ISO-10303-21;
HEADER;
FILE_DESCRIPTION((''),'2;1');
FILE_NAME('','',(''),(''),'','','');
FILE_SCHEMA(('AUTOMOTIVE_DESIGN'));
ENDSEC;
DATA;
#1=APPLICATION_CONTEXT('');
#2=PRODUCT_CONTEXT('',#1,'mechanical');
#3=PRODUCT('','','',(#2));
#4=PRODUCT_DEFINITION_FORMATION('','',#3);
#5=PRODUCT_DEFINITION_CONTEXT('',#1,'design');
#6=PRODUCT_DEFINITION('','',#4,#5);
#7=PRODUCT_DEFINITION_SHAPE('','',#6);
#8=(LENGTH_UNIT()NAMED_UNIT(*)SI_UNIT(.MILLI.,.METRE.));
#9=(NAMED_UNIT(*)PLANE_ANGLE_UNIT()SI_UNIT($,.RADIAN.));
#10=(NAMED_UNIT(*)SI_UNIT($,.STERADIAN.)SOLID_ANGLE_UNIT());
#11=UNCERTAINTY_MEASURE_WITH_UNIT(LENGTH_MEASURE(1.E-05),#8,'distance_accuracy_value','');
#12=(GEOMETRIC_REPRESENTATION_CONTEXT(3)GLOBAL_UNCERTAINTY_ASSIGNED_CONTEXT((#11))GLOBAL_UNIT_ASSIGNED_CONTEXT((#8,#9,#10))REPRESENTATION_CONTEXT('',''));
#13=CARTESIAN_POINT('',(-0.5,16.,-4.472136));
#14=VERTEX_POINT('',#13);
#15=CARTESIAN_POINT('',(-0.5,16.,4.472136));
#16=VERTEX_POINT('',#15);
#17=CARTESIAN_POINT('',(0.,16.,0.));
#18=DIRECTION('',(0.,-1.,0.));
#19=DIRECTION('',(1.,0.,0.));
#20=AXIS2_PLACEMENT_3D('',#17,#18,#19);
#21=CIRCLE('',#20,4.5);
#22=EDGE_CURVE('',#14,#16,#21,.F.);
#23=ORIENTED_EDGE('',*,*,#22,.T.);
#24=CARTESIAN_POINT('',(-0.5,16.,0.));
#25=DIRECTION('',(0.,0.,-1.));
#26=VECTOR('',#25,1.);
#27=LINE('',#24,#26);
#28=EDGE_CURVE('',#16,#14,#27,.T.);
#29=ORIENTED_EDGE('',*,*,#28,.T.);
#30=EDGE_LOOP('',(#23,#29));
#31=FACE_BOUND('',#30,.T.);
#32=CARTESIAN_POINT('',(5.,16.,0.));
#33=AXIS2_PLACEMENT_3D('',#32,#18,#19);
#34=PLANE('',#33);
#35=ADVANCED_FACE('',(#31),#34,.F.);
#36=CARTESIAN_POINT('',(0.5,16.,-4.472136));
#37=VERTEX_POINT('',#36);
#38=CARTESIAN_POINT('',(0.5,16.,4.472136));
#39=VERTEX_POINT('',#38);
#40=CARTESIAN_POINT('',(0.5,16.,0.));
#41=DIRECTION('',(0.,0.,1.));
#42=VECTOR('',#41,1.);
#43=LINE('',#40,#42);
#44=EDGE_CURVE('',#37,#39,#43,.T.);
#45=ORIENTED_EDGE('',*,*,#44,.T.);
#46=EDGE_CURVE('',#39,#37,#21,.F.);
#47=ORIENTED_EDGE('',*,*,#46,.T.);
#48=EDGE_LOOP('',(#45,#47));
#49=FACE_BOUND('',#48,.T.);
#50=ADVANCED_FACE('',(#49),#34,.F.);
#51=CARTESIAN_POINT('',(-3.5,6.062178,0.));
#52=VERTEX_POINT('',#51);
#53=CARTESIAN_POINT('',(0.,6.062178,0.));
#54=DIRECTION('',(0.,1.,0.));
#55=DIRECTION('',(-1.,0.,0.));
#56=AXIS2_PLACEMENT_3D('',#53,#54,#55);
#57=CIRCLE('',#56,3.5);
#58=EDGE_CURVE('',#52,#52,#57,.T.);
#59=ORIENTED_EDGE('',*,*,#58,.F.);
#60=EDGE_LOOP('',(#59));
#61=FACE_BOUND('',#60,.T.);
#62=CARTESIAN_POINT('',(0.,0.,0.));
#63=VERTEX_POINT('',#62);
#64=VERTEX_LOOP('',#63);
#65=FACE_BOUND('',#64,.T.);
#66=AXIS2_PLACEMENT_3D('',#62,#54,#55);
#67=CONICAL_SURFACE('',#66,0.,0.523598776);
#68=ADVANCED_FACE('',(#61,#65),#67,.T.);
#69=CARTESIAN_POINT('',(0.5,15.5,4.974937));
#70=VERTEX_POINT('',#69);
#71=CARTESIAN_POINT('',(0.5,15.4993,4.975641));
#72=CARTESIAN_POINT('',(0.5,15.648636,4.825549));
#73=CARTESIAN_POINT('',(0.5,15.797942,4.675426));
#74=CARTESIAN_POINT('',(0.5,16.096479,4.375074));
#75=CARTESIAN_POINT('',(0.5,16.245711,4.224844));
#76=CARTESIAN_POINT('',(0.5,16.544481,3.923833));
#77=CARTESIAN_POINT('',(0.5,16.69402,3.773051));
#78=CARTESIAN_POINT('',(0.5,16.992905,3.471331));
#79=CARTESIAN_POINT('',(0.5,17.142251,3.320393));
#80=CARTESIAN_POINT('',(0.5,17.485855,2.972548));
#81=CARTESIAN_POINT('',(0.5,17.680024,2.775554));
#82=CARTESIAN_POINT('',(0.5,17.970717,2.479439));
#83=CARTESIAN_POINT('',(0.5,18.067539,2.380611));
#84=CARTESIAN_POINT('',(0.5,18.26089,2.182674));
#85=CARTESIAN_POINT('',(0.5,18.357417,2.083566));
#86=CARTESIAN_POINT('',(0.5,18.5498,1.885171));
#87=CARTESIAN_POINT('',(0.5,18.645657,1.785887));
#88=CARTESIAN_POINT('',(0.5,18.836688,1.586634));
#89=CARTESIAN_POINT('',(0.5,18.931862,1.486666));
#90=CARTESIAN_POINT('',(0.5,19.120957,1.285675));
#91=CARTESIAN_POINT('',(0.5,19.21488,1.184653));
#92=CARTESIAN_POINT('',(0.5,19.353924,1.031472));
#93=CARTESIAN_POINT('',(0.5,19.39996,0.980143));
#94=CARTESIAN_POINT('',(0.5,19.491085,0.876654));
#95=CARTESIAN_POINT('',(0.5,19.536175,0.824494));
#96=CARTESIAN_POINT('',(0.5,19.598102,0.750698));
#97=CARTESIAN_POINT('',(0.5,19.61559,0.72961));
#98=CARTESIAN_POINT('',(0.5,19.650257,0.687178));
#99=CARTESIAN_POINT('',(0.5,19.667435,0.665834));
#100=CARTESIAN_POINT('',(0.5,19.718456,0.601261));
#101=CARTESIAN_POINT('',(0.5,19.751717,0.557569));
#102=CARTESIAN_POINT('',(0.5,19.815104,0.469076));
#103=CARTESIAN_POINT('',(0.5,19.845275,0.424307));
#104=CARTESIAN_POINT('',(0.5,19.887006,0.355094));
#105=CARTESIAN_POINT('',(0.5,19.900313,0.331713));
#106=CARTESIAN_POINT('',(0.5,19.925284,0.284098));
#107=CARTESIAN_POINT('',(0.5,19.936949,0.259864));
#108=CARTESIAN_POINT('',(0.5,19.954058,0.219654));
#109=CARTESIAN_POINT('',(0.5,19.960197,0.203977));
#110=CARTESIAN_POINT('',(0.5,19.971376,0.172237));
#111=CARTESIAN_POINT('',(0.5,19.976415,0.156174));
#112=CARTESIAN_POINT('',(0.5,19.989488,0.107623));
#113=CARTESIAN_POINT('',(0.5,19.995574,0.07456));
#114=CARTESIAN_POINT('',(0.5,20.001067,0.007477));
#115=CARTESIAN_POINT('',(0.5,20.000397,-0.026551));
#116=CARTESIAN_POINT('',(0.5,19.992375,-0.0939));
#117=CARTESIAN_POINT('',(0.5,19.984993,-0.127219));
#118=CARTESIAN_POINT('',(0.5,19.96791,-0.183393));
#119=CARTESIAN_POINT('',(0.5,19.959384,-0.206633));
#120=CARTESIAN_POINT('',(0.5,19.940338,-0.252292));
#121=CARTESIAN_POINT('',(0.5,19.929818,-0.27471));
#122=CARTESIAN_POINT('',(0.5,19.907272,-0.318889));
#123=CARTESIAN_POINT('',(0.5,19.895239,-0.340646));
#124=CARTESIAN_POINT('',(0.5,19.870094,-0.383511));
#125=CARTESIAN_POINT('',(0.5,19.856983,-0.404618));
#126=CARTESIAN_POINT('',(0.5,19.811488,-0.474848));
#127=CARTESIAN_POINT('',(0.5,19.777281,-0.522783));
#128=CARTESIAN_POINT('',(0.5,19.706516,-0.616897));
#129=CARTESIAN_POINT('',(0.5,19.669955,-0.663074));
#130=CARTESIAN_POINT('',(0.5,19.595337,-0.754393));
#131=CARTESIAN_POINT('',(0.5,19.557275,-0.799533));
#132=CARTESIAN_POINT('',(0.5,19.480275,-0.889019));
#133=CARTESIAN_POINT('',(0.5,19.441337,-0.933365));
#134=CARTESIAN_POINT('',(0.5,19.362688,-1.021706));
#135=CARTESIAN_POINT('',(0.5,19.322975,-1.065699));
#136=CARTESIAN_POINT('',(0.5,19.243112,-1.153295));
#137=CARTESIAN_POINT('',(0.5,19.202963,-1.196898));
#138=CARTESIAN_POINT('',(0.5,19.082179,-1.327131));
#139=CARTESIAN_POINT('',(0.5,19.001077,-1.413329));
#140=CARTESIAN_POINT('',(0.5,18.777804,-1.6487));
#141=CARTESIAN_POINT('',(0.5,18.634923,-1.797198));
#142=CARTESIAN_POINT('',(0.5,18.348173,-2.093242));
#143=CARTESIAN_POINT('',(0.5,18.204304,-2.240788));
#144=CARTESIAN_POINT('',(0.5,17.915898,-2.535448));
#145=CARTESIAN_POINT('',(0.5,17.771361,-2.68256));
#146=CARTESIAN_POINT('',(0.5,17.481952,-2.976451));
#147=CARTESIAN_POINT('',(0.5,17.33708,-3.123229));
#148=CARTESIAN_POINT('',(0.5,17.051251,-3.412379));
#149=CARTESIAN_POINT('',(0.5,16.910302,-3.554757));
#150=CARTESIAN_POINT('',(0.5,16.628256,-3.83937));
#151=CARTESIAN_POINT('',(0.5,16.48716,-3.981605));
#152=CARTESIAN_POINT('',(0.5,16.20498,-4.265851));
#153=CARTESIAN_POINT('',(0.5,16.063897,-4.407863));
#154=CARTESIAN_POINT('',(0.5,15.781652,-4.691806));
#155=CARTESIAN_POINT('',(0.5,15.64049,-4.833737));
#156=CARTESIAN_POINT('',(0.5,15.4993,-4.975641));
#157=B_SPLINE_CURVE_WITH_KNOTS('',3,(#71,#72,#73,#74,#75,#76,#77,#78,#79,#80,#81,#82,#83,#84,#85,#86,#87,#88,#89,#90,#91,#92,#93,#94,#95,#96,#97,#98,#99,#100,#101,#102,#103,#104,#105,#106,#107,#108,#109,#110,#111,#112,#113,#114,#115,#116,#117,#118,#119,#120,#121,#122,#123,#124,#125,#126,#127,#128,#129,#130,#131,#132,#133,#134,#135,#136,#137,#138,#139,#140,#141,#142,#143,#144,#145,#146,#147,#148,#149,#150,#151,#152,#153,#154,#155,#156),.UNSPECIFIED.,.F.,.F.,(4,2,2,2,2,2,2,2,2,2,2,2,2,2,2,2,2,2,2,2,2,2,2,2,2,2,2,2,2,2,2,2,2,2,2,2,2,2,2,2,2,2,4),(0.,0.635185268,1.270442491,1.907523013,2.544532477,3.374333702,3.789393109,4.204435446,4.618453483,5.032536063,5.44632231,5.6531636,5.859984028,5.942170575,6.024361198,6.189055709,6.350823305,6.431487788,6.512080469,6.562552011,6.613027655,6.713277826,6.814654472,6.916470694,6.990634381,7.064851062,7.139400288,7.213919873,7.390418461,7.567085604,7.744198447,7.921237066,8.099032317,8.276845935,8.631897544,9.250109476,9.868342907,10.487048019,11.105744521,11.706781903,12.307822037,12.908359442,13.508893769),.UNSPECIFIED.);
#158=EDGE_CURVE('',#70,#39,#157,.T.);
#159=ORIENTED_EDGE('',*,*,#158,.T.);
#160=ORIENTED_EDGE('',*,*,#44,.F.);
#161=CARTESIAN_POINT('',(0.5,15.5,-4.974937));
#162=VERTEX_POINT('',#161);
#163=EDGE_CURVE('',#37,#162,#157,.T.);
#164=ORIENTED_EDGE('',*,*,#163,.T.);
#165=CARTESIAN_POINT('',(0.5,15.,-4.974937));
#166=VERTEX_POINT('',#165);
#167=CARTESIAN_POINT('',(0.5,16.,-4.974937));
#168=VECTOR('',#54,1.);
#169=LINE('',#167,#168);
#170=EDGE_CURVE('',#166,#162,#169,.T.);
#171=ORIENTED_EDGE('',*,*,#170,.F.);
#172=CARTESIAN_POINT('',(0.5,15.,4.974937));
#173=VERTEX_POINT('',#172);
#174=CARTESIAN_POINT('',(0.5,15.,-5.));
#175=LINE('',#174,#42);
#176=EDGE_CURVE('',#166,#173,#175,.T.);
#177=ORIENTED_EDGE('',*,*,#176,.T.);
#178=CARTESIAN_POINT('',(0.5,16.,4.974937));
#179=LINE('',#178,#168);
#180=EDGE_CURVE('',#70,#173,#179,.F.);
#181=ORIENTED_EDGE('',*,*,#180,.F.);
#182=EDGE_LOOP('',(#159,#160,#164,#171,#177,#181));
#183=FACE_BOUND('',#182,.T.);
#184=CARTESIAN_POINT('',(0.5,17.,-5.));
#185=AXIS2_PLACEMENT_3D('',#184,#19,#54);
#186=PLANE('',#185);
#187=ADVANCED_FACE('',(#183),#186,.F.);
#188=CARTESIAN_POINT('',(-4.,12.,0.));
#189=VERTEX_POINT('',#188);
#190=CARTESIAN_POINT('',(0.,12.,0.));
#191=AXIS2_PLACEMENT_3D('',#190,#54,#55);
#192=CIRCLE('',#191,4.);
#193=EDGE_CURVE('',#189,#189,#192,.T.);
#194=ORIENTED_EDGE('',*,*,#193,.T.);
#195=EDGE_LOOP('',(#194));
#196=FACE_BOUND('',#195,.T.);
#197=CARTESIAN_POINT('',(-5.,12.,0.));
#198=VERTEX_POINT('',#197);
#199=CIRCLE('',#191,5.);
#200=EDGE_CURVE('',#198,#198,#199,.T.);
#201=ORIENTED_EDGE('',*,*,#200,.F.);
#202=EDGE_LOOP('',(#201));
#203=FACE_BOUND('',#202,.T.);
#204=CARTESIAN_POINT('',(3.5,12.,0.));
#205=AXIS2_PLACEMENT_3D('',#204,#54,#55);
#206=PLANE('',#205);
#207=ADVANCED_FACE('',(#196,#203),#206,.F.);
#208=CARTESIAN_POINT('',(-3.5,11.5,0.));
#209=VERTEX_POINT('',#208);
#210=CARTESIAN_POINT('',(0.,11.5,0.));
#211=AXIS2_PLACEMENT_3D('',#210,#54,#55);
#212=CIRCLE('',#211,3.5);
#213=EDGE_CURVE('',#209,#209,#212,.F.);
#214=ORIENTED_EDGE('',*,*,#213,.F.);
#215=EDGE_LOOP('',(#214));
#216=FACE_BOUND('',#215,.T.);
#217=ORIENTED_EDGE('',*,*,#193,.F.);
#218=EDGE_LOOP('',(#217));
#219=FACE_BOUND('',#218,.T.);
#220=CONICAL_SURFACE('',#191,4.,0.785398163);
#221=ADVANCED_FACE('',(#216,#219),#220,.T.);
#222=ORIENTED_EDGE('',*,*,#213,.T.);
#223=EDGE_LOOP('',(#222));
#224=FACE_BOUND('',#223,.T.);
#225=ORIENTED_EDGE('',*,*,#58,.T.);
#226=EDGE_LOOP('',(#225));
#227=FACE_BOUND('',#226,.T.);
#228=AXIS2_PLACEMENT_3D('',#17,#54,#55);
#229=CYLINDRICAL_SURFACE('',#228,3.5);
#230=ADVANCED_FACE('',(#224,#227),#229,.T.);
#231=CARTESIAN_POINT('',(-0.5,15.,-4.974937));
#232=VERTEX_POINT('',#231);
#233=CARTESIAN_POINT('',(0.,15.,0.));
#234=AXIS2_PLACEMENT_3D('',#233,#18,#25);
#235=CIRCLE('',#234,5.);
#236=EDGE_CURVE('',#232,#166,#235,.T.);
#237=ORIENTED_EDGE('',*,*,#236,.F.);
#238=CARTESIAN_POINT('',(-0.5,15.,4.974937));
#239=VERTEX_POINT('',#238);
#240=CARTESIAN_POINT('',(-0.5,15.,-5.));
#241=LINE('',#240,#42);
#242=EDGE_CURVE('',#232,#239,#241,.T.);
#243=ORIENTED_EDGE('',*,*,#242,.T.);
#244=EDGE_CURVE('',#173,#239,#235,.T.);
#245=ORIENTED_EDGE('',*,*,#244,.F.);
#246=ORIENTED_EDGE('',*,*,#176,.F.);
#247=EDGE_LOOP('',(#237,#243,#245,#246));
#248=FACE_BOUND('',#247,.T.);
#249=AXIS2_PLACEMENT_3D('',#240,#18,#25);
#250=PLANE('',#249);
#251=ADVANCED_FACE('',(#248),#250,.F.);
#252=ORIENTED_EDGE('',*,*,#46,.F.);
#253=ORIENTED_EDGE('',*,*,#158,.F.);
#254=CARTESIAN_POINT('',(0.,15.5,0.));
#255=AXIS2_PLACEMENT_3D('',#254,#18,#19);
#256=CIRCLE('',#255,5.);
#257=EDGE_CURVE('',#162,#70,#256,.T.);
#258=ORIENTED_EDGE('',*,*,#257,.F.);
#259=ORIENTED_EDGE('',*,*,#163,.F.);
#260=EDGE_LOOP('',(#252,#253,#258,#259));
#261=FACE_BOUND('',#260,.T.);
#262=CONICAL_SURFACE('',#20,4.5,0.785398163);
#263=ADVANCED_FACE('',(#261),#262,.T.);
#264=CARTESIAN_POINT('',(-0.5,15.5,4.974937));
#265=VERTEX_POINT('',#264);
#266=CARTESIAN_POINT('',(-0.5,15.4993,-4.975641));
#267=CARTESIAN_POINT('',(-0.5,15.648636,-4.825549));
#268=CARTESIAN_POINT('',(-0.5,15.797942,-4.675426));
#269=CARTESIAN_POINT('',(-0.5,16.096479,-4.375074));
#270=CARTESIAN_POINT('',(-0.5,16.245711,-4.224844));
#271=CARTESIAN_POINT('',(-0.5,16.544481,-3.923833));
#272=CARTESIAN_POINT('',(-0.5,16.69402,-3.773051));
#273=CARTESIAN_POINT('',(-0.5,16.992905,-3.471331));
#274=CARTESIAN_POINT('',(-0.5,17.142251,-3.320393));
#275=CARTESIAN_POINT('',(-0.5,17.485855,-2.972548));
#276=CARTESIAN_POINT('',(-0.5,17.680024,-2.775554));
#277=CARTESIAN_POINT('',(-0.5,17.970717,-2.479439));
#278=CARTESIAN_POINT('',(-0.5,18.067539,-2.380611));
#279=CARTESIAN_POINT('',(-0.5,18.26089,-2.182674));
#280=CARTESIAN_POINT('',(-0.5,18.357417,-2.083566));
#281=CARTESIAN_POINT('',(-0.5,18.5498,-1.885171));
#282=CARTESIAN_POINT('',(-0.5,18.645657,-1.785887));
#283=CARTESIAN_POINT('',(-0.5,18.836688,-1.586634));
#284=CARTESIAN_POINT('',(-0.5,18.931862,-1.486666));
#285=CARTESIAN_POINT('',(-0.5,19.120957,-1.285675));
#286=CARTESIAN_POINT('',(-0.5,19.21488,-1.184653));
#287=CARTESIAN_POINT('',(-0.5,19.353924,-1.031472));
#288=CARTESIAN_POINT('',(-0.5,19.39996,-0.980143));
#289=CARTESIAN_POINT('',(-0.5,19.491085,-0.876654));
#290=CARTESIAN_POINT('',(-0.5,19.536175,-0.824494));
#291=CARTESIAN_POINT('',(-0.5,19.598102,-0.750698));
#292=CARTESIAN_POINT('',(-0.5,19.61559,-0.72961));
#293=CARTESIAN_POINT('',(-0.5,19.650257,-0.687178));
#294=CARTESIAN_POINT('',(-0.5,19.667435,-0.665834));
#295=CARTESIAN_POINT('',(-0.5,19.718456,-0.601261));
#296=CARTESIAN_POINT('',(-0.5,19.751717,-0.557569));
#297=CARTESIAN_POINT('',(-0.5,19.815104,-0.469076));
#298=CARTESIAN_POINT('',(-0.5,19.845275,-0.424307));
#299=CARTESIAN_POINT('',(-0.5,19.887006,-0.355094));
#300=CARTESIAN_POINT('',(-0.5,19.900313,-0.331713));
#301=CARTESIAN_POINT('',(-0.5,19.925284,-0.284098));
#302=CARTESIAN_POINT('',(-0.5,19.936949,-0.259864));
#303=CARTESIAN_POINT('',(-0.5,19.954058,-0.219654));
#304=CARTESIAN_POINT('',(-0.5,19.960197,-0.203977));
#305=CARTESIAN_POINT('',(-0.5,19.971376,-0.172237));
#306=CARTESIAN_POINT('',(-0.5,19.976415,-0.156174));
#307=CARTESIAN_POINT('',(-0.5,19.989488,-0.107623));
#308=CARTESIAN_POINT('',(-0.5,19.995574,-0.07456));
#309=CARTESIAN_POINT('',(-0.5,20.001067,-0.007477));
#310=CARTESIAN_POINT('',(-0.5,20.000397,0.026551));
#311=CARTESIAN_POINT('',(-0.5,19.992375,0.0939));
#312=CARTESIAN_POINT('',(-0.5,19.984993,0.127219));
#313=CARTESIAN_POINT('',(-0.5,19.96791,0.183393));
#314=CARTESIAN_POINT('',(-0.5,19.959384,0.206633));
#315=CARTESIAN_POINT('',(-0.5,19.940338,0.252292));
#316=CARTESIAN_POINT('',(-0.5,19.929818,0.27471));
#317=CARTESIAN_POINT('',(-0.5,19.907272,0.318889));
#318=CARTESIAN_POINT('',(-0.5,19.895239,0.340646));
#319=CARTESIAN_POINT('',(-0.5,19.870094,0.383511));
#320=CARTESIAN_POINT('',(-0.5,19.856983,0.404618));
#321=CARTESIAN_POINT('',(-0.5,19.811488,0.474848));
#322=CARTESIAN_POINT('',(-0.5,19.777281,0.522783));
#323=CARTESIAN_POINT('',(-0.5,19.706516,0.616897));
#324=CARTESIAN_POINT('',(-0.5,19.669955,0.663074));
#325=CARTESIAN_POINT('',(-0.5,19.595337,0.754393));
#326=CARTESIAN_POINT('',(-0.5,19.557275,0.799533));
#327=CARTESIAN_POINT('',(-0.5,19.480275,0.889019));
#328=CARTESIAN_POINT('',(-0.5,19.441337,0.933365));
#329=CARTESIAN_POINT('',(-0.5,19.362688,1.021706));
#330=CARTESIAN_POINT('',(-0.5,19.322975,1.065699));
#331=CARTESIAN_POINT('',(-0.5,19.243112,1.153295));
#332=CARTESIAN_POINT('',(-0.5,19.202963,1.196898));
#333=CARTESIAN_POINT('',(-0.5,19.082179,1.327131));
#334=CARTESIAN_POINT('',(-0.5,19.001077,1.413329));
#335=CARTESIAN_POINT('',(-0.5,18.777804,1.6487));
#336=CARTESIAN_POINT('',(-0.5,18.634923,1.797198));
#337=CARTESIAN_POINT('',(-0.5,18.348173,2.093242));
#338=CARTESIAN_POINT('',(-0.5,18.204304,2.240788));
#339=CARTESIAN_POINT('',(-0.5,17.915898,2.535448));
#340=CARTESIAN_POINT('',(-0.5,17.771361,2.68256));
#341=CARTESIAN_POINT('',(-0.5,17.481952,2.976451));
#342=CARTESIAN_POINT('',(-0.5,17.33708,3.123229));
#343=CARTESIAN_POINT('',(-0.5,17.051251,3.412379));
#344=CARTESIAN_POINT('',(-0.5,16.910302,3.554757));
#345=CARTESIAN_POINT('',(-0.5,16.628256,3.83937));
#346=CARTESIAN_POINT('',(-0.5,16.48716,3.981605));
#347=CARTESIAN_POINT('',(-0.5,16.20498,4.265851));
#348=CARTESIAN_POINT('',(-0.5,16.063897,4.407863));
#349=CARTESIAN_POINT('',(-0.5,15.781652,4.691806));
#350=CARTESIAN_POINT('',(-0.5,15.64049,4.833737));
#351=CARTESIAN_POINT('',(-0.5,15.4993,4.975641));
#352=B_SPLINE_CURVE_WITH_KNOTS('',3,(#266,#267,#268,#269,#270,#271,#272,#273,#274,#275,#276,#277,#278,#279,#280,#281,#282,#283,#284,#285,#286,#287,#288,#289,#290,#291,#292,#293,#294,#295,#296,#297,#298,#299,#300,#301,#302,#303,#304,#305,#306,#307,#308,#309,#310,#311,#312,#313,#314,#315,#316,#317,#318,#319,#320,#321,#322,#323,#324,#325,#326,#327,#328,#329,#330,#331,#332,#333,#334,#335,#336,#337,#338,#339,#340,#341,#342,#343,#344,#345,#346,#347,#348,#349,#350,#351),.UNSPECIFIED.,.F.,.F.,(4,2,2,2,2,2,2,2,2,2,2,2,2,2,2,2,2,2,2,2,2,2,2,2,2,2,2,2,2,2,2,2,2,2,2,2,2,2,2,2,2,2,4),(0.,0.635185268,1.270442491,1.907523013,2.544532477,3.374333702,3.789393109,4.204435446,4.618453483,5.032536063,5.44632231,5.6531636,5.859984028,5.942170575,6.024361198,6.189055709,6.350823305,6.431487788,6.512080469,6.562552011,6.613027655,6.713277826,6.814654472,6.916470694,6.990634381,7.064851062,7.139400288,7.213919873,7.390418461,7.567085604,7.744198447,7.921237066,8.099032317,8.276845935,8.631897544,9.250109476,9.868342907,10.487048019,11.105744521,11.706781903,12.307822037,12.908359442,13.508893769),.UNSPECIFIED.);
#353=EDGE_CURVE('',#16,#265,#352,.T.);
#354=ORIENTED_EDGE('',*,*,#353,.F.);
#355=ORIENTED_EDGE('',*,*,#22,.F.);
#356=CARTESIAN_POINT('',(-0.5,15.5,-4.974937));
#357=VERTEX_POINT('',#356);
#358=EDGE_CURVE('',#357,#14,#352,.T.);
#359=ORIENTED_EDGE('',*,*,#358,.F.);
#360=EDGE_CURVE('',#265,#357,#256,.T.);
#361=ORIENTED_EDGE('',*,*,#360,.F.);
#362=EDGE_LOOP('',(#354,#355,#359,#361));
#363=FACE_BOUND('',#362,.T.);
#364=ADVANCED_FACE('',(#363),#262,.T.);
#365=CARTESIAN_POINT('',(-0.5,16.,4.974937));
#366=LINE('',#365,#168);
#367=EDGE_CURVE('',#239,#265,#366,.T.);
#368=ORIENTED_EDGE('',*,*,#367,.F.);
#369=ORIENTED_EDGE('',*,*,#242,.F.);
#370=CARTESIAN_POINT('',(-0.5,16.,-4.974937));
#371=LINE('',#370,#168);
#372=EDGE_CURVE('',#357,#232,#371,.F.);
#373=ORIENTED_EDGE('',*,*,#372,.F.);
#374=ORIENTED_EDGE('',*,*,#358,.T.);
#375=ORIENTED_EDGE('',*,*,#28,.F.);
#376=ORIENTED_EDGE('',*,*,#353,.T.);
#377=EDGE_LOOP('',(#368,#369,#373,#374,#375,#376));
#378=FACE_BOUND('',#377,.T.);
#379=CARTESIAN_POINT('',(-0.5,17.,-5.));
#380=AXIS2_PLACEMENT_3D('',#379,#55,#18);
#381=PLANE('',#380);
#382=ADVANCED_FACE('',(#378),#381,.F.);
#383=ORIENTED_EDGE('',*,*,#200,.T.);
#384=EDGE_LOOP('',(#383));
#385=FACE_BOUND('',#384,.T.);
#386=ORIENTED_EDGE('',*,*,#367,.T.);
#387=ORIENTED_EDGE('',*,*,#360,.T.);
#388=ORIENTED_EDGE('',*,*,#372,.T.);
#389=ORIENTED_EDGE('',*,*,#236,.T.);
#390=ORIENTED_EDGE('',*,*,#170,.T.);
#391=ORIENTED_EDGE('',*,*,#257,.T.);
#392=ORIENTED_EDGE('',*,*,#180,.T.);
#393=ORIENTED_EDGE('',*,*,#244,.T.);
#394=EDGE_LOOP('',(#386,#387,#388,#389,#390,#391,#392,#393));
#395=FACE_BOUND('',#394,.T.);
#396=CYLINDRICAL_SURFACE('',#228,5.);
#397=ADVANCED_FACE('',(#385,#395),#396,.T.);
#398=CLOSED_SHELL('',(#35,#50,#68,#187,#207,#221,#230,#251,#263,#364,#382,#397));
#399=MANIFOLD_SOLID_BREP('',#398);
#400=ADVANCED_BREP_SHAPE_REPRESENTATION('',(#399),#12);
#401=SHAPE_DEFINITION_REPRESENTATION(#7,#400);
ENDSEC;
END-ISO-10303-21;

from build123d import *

# Parameters (mm, degrees)
CHAMFER1_SIZE      = 0.5
SKETCH2_W          = 1
SKETCH2_H          = 2
CUT_EXTRUDE1_DEPTH = 5


with BuildPart() as part:
    # Sketch1 → Revolve1 (revolve)
    with BuildSketch(Plane.XY, mode=Mode.PRIVATE) as revolve1_sk:
        Polygon((0, 0), (3.5, 6.062177826), (3.5, 12), (5, 12), (5, 16), (0, 16), align=None)
    revolve(revolve1_sk.sketch.rotate(Axis((0, 16, 0), (0, -1, 0)), 180), axis=Axis((0, 16, 0), (0, -1, 0)))

    # Chamfer1
    chamfer1_edges = [part.edges().sort_by_distance(p)[0] for p in [
        (5, 16, 0),
        (3.5, 12, 0),
    ]]
    chamfer(chamfer1_edges, length=CHAMFER1_SIZE)

    # Sketch2 → Cut-Extrude1 (cut, symmetric)
    with BuildSketch(Plane.XY):
        with Locations((0, 16)):
            Rectangle(SKETCH2_W, SKETCH2_H)
    extrude(amount=CUT_EXTRUDE1_DEPTH, both=True, mode=Mode.SUBTRACT)


solid = part.part
